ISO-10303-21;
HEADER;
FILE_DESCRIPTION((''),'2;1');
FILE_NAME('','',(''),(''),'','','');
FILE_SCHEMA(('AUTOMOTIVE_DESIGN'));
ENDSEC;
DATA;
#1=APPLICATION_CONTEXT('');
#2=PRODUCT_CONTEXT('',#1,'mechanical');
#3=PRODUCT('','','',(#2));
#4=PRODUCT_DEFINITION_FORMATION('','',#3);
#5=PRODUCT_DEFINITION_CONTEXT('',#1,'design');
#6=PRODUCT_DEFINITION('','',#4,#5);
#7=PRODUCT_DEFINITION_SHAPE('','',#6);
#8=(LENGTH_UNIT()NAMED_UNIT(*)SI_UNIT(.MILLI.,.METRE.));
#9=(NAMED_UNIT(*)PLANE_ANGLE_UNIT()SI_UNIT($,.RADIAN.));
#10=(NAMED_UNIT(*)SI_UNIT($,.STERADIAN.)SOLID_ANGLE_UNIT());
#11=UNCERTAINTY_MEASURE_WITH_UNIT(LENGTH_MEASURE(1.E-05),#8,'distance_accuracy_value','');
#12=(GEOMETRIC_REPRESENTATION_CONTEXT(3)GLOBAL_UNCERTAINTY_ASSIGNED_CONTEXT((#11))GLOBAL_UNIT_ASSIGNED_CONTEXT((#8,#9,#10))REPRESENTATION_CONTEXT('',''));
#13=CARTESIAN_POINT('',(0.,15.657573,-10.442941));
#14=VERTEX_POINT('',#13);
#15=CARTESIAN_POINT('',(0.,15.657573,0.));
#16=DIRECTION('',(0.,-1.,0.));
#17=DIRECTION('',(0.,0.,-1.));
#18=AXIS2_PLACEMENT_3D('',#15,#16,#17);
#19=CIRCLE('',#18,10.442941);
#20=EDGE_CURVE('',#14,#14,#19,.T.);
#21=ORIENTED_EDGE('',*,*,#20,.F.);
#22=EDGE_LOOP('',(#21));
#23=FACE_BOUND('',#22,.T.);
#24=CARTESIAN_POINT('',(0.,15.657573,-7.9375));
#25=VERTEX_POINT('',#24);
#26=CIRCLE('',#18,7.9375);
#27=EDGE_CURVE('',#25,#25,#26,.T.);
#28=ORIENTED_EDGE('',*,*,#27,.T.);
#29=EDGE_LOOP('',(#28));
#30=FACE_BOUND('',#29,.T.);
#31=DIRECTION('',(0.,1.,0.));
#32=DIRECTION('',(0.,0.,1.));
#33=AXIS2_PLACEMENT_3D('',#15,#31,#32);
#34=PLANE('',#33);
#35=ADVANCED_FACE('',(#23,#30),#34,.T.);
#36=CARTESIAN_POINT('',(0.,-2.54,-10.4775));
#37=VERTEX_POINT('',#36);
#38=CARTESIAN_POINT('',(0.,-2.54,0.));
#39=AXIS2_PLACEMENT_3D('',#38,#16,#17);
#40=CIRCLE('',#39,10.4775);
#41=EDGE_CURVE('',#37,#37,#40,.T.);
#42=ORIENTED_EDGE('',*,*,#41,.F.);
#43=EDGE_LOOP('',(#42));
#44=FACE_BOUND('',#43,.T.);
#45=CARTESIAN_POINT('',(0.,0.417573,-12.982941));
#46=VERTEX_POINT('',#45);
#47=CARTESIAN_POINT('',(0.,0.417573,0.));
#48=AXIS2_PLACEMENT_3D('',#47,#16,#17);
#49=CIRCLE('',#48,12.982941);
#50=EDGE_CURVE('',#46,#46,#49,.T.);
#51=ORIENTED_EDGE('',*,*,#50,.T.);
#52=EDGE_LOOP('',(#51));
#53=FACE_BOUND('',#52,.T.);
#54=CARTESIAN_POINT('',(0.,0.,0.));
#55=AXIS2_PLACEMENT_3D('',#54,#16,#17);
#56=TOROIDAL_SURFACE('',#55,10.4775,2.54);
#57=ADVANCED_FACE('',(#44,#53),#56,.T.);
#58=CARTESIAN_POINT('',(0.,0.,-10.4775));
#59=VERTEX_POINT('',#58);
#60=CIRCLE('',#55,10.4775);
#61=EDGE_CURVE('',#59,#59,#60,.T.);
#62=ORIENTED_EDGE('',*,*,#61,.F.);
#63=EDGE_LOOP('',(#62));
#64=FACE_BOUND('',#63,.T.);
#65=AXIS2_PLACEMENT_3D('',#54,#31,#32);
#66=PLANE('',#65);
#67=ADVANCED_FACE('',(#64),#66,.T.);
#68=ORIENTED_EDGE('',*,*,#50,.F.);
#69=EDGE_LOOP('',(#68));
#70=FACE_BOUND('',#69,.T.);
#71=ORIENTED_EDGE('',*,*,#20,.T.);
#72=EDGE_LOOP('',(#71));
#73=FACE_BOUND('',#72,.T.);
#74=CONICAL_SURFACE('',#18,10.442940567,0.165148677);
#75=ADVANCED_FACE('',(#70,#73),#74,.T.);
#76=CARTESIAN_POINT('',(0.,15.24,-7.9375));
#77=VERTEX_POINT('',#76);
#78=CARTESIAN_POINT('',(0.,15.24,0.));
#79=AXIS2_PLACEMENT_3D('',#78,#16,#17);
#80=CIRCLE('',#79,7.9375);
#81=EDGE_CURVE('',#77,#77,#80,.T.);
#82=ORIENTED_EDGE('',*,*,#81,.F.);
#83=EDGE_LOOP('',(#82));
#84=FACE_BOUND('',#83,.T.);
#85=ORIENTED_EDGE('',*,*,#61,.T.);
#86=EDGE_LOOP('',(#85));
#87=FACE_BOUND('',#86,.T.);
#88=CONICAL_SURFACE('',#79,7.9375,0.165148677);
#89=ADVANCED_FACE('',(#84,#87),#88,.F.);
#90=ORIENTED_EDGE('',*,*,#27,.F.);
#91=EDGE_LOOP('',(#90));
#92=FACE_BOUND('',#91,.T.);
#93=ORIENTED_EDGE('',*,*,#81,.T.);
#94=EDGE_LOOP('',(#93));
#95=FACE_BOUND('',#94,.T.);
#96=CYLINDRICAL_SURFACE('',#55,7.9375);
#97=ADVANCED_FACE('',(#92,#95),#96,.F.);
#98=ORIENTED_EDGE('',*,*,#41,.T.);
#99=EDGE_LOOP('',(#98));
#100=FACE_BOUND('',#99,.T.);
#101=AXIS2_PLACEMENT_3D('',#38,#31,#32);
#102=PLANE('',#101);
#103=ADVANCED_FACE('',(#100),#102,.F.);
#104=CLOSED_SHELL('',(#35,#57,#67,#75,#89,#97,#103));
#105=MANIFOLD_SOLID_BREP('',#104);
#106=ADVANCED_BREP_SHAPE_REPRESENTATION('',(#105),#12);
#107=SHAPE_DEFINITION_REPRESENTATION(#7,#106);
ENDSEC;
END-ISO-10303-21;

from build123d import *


with BuildPart() as part:
    # Sketch1 → Revolve1 (revolve)
    with BuildSketch(Plane.XY, mode=Mode.PRIVATE) as revolve1_sk:
        with BuildLine():
            Line((10.4775, 0), (0, 0))
            Line((0, 0), (0, -2.54))
            Line((0, -2.54), (10.4775, -2.54))
            ThreePointArc((10.4775, -2.54), (12.415570755, -1.641792236), (12.982940567, 0.417573428))
            Line((12.982940567, 0.417573428), (10.442940567, 15.657573428))
            Line((10.442940567, 15.657573428), (7.9375, 15.657573428))
            Line((7.9375, 15.657573428), (7.9375, 15.24))
            Line((7.9375, 15.24), (10.4775, 0))
        make_face()
    revolve(revolve1_sk.sketch.rotate(Axis((0, 0, 0), (0, 1, 0)), 90), axis=Axis((0, 0, 0), (0, 1, 0)))


solid = part.part
